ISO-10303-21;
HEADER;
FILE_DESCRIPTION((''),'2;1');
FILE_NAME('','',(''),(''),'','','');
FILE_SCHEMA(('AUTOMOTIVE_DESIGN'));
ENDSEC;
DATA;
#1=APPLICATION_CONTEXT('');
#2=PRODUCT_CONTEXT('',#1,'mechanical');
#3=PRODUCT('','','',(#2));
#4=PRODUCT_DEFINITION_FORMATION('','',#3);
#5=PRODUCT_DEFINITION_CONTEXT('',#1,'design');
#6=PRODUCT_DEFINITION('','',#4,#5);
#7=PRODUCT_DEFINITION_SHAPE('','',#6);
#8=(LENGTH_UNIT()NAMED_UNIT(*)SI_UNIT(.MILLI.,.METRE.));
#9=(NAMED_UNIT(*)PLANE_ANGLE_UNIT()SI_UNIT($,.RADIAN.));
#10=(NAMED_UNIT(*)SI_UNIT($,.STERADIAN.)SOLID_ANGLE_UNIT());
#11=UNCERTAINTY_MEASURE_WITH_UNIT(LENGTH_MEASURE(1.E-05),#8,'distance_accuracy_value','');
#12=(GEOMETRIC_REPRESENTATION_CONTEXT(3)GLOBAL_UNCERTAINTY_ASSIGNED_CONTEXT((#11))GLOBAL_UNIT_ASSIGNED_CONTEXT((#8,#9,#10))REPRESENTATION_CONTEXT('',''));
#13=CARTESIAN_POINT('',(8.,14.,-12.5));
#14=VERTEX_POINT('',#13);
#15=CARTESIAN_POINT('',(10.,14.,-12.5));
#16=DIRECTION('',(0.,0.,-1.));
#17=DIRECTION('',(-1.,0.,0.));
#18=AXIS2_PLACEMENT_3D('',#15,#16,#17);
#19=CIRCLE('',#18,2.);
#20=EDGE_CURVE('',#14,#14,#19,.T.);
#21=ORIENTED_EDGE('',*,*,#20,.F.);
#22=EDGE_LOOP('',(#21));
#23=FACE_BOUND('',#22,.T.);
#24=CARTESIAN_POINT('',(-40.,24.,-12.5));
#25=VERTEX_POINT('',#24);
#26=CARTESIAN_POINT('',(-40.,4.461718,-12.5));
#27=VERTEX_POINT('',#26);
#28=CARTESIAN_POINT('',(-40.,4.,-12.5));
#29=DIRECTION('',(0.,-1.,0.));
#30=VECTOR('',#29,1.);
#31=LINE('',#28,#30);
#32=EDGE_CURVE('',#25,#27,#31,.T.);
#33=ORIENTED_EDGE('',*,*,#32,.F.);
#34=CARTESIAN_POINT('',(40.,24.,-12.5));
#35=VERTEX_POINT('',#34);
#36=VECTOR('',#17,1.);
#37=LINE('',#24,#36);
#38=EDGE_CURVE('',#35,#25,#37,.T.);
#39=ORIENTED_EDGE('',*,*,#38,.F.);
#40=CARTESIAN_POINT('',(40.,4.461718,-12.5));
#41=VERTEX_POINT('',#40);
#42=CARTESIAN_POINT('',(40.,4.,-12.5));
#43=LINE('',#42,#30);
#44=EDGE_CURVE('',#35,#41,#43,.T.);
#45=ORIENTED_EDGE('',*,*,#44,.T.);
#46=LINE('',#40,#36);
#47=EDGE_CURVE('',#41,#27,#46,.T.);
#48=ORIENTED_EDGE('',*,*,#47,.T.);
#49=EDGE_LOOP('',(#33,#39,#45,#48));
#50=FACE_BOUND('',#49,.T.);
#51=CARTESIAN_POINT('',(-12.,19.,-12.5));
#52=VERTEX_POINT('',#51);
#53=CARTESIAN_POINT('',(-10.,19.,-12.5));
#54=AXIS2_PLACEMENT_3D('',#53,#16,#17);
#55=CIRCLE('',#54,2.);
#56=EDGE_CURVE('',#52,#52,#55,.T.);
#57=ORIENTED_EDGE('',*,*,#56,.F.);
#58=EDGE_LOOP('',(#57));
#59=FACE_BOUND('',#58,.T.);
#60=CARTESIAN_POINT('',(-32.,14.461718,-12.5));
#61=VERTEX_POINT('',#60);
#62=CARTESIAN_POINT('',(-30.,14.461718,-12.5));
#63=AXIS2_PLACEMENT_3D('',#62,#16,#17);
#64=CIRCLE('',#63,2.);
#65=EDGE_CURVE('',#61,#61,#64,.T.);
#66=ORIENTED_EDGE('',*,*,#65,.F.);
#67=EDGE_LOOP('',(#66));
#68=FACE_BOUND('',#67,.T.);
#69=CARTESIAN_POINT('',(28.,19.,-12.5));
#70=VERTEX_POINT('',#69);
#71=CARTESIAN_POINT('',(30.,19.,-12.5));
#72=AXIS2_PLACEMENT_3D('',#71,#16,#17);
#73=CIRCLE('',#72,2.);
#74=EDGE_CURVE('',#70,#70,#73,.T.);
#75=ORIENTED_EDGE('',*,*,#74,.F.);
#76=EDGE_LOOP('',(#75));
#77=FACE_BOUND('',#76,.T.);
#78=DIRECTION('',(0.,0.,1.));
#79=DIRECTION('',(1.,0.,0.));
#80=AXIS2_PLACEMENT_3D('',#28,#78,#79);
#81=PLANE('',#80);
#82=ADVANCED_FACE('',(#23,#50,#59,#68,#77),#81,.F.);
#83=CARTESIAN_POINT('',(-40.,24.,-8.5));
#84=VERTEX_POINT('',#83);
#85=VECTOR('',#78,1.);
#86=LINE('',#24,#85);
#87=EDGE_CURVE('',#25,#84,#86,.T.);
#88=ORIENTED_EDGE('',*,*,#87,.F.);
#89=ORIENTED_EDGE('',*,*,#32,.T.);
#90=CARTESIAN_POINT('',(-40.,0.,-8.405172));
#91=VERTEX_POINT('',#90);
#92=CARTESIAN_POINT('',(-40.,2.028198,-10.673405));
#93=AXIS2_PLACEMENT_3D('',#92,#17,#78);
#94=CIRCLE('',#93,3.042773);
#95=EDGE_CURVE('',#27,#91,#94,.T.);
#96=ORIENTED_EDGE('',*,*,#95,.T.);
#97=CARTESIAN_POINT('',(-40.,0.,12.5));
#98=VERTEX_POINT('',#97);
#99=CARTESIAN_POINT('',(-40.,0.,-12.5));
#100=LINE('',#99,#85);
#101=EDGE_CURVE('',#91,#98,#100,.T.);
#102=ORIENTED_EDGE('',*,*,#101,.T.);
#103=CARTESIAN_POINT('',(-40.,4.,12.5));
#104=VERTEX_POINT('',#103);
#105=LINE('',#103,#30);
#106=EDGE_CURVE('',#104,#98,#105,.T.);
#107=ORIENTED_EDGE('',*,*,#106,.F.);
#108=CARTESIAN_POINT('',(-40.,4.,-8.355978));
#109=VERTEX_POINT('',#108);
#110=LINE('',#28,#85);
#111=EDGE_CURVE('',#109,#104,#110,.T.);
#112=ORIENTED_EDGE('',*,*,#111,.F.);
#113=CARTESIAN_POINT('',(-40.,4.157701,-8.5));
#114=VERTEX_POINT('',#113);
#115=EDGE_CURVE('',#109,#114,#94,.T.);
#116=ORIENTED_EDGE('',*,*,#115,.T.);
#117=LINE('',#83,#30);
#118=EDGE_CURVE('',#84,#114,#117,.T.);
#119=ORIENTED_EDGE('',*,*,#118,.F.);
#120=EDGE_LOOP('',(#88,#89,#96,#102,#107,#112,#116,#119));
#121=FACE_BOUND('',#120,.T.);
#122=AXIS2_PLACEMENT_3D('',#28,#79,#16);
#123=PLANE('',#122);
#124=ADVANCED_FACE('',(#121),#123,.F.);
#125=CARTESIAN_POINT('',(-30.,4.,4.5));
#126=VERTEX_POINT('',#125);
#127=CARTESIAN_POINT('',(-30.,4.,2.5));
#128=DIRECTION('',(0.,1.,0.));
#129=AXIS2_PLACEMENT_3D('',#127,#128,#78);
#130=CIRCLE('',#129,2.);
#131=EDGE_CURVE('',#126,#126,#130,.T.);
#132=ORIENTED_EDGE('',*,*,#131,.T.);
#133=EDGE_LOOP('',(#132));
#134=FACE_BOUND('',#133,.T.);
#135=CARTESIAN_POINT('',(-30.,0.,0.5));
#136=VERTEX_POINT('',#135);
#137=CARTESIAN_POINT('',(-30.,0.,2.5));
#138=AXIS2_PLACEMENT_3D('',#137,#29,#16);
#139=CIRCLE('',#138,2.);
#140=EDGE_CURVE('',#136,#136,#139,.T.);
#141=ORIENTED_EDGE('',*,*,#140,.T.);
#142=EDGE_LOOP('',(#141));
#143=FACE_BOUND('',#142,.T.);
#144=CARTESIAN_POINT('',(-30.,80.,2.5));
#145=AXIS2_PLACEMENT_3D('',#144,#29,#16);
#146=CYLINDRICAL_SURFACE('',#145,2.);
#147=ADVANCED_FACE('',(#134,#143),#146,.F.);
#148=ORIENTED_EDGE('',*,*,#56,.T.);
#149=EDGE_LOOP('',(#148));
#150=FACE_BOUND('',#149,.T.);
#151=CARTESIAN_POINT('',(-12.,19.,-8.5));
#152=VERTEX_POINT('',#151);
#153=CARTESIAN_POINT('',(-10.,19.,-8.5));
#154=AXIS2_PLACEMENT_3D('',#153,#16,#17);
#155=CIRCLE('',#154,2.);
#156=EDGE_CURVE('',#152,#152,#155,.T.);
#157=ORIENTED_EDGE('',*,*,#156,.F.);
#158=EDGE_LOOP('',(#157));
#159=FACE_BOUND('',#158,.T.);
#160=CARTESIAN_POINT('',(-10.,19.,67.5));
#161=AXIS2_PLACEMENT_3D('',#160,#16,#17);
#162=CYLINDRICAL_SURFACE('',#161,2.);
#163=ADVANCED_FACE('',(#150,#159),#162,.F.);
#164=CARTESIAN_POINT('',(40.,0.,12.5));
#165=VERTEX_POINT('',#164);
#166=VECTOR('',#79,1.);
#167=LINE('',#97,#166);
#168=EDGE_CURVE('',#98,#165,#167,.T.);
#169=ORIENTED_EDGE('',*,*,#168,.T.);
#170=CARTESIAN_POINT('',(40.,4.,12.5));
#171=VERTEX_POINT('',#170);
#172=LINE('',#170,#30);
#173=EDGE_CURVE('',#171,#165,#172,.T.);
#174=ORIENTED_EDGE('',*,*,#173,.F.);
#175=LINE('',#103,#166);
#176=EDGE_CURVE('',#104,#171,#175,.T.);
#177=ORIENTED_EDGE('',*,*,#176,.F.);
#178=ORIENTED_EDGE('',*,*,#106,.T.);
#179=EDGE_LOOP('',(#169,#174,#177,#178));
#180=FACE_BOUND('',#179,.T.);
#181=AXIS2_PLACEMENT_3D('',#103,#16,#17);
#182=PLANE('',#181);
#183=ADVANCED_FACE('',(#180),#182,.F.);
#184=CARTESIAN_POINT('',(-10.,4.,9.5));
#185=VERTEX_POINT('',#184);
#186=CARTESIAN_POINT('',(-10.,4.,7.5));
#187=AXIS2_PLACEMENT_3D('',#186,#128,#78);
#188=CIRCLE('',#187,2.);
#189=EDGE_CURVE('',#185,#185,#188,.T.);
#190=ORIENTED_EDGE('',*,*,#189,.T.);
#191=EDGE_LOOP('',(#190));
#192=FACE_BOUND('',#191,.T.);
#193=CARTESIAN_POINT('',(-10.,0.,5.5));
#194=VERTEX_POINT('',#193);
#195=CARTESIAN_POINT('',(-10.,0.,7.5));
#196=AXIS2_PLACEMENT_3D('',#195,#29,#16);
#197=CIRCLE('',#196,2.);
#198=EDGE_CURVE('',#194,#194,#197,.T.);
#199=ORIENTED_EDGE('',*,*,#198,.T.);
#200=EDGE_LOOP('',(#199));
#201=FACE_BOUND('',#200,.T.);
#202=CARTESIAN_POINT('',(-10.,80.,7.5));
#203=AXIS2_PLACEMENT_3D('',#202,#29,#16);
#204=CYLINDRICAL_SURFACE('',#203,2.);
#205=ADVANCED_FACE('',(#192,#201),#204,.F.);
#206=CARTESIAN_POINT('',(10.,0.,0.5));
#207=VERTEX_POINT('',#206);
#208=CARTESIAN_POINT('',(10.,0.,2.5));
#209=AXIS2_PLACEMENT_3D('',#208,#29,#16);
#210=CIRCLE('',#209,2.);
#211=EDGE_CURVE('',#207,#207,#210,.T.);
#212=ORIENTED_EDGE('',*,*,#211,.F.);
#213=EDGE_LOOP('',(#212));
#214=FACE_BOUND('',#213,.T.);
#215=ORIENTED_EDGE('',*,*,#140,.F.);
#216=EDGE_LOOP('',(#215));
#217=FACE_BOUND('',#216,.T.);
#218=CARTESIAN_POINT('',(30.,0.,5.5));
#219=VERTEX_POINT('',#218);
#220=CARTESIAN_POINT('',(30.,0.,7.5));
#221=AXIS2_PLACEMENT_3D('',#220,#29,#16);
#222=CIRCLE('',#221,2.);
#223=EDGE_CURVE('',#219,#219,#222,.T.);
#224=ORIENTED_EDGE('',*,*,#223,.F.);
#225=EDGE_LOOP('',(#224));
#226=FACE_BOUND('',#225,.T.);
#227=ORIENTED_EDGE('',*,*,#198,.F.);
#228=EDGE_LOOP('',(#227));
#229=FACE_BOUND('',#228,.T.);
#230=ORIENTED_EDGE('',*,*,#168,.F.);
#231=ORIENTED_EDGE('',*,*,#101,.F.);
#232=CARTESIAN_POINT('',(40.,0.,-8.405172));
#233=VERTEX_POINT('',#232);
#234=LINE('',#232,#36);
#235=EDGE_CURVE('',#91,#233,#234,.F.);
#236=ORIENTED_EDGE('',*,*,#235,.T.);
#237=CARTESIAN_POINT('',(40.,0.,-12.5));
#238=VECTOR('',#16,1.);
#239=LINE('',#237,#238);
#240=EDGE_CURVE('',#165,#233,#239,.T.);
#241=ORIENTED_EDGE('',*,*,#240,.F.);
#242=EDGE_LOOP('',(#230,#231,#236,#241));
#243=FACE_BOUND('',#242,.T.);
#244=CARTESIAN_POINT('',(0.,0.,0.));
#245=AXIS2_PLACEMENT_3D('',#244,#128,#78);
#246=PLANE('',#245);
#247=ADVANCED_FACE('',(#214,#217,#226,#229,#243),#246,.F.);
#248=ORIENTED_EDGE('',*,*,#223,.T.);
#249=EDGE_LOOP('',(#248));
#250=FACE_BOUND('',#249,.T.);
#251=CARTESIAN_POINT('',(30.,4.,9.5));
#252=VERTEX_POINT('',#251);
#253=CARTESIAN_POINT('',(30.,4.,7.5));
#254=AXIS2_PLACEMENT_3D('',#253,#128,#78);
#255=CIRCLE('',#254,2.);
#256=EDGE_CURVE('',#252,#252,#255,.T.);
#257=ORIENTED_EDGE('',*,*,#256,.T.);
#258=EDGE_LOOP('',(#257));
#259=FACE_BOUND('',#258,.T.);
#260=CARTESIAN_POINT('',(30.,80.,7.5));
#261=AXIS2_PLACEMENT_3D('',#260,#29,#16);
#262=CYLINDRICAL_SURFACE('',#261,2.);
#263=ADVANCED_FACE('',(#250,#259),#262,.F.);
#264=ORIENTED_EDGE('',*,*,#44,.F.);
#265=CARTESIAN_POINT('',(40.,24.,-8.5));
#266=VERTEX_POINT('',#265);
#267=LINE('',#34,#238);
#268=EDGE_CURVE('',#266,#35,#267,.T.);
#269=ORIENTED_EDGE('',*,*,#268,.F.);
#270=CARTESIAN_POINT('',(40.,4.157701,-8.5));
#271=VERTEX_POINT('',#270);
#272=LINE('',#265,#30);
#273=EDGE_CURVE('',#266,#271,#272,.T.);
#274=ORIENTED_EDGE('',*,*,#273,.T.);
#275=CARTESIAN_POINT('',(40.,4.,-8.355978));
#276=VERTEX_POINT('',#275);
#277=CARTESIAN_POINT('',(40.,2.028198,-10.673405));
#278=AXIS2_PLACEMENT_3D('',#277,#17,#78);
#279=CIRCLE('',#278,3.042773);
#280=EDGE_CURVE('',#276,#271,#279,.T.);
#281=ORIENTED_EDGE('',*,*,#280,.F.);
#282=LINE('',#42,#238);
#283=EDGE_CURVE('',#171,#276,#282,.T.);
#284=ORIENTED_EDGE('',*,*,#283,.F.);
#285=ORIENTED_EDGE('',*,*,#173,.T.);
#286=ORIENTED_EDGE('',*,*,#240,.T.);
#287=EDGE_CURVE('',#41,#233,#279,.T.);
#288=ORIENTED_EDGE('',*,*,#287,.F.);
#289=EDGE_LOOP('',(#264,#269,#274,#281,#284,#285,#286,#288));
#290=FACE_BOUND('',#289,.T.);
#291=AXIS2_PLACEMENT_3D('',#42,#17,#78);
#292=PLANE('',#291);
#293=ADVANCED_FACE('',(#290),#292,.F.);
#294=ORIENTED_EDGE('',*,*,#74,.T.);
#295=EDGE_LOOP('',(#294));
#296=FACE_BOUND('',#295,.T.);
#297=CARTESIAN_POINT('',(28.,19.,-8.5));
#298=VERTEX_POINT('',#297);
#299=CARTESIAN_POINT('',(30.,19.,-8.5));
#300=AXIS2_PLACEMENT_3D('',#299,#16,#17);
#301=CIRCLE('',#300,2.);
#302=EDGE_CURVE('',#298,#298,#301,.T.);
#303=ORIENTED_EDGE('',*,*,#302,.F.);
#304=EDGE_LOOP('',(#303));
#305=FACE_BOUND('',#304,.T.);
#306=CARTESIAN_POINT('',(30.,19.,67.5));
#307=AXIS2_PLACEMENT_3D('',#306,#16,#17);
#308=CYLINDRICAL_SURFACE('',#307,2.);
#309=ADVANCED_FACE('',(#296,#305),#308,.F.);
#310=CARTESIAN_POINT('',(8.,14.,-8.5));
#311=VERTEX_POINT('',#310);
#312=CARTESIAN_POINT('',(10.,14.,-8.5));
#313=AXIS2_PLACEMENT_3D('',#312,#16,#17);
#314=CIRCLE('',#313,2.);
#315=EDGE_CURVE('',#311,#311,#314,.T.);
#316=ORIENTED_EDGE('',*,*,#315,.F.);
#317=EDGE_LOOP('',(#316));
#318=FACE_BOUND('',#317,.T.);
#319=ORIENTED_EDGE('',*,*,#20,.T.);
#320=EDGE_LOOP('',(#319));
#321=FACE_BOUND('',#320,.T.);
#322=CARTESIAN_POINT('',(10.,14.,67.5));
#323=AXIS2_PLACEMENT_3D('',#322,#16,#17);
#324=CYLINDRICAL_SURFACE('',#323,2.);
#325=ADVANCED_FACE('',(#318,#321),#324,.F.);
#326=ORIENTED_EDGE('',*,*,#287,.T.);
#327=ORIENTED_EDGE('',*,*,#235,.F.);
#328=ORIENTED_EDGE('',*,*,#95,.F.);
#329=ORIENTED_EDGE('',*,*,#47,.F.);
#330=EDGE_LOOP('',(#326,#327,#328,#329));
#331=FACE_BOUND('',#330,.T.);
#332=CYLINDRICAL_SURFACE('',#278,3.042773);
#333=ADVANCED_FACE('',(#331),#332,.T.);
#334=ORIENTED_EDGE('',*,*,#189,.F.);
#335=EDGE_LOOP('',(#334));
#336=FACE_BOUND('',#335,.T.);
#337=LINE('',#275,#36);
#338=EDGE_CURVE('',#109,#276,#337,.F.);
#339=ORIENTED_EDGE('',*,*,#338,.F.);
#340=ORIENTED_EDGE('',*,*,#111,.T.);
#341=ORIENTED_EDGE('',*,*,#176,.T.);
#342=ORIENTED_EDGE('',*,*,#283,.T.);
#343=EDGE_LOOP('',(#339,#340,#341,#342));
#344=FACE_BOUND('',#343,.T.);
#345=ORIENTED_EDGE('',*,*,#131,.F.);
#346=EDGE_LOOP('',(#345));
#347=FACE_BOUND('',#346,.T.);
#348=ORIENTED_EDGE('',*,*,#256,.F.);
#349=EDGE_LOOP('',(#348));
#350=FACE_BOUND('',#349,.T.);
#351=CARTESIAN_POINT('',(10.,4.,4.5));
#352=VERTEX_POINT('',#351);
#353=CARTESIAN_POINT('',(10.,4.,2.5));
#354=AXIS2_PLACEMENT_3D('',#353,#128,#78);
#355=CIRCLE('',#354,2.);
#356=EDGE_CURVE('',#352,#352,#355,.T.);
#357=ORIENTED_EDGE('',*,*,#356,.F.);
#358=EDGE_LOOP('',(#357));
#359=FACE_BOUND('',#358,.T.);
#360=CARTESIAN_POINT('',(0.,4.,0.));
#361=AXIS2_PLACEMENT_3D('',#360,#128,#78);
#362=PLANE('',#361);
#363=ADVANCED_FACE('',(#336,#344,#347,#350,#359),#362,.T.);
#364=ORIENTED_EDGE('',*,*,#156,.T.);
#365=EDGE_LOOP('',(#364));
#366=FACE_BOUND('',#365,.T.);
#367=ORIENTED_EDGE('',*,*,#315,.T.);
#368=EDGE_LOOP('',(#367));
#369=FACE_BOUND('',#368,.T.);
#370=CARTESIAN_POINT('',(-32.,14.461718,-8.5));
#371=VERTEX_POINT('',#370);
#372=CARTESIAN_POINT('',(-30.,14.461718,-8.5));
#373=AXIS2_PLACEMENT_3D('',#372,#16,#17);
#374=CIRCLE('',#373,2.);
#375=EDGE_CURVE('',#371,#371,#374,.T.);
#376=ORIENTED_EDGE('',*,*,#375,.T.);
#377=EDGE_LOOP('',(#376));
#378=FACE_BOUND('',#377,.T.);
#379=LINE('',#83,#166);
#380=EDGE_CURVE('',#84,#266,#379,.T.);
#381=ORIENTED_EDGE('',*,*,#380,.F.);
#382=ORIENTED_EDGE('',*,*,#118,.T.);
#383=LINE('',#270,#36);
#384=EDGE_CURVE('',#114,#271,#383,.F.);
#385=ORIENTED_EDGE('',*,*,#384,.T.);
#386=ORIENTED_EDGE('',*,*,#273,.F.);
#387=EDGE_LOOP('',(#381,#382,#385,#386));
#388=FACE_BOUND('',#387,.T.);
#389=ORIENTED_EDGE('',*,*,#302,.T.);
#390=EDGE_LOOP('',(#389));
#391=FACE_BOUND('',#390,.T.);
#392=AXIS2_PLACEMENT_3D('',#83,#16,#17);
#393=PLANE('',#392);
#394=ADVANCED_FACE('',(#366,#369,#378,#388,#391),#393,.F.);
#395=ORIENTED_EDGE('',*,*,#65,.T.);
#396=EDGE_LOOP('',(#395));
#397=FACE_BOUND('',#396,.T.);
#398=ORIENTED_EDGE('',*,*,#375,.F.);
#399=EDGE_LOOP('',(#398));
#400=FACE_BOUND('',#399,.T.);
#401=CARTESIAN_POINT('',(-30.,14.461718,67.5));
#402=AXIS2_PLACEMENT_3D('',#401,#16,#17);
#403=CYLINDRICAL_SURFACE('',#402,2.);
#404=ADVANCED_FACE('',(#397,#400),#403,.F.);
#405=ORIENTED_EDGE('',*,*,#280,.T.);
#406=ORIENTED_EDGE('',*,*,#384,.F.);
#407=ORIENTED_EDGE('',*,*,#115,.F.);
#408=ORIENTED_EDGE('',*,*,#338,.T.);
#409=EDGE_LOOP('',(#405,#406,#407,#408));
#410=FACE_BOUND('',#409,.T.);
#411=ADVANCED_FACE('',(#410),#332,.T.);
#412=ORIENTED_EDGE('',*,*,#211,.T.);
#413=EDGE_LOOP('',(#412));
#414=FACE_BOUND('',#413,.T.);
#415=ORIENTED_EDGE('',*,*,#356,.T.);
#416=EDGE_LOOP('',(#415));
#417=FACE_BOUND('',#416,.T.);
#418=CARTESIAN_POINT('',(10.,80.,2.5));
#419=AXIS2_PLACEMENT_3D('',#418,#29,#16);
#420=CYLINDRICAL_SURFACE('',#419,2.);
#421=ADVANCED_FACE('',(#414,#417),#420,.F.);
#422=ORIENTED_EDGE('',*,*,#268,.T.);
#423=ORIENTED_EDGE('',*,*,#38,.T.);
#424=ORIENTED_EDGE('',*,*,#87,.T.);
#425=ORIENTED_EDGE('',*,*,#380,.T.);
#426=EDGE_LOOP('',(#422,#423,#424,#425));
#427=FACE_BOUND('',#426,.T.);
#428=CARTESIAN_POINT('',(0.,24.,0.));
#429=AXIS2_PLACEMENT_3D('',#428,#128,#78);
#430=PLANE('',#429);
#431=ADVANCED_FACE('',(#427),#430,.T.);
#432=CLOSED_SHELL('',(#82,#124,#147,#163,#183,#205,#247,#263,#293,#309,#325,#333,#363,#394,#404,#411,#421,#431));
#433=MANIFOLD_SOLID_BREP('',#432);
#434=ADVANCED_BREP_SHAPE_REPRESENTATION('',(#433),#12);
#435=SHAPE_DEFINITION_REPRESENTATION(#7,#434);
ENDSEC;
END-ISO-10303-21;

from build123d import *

# Parameters (mm, degrees)
SKETCH1_W           = 80
SKETCH1_H           = 25
BOSS_EXTRUDE1_DEPTH = 4
SKETCH2_W           = 80
SKETCH2_H           = 4
BOSS_EXTRUDE2_DEPTH = 20
SKETCH3_R           = 3.042773103
BOSS_EXTRUDE3_DEPTH = 80
SKETCH4_R           = 2
CUT_EXTRUDE1_DEPTH  = 80
SKETCH5_R           = 2
CUT_EXTRUDE2_DEPTH  = 80


with BuildPart() as part:
    # Sketch1 → Boss-Extrude1 (new body)
    with BuildSketch(Plane(origin=(0, 0, 0), x_dir=(1, 0, 0), z_dir=(0, 1, 0))):
        Rectangle(SKETCH1_W, SKETCH1_H)
    extrude(amount=BOSS_EXTRUDE1_DEPTH)

    # Sketch2 → Boss-Extrude2 (add)
    with BuildSketch(Plane(origin=(0, 4, 0), x_dir=(1, 0, 0), z_dir=(0, 1, 0))):
        with Locations((0, 10.5)):
            Rectangle(SKETCH2_W, SKETCH2_H)
    extrude(amount=BOSS_EXTRUDE2_DEPTH)

    # Sketch3 → Boss-Extrude3 (add)
    with BuildSketch(Plane.ZY.offset(40)):
        with Locations((-10.673404756, 2.028198383)):
            Circle(SKETCH3_R)
    extrude(amount=-BOSS_EXTRUDE3_DEPTH)

    # Sketch4 → Cut-Extrude1 (cut)
    with BuildSketch(Plane(origin=(0, 0, -12.5), x_dir=(-1, 0, 0), z_dir=(0, 0, -1))):
        with Locations((30, 14.461718051)):
            Circle(SKETCH4_R)
        with Locations((-10, 14)):
            Circle(SKETCH4_R)
        with Locations((10, 19)):
            Circle(SKETCH4_R)
        with Locations((-30, 19)):
            Circle(SKETCH4_R)
    extrude(amount=-CUT_EXTRUDE1_DEPTH, mode=Mode.SUBTRACT)

    # Sketch5 → Cut-Extrude2 (cut)
    with BuildSketch(Plane.XZ):
        with Locations(Location((-30, 2.5, 0), (0, 0, 270))):
            Circle(SKETCH5_R)
        with Locations(Location((-10, 7.5, 0), (0, 0, 270))):
            Circle(SKETCH5_R)
        with Locations(Location((10, 2.5, 0), (0, 0, 270))):
            Circle(SKETCH5_R)
        with Locations(Location((30, 7.5, 0), (0, 0, 270))):
            Circle(SKETCH5_R)
    extrude(amount=-CUT_EXTRUDE2_DEPTH, mode=Mode.SUBTRACT)


solid = part.part
